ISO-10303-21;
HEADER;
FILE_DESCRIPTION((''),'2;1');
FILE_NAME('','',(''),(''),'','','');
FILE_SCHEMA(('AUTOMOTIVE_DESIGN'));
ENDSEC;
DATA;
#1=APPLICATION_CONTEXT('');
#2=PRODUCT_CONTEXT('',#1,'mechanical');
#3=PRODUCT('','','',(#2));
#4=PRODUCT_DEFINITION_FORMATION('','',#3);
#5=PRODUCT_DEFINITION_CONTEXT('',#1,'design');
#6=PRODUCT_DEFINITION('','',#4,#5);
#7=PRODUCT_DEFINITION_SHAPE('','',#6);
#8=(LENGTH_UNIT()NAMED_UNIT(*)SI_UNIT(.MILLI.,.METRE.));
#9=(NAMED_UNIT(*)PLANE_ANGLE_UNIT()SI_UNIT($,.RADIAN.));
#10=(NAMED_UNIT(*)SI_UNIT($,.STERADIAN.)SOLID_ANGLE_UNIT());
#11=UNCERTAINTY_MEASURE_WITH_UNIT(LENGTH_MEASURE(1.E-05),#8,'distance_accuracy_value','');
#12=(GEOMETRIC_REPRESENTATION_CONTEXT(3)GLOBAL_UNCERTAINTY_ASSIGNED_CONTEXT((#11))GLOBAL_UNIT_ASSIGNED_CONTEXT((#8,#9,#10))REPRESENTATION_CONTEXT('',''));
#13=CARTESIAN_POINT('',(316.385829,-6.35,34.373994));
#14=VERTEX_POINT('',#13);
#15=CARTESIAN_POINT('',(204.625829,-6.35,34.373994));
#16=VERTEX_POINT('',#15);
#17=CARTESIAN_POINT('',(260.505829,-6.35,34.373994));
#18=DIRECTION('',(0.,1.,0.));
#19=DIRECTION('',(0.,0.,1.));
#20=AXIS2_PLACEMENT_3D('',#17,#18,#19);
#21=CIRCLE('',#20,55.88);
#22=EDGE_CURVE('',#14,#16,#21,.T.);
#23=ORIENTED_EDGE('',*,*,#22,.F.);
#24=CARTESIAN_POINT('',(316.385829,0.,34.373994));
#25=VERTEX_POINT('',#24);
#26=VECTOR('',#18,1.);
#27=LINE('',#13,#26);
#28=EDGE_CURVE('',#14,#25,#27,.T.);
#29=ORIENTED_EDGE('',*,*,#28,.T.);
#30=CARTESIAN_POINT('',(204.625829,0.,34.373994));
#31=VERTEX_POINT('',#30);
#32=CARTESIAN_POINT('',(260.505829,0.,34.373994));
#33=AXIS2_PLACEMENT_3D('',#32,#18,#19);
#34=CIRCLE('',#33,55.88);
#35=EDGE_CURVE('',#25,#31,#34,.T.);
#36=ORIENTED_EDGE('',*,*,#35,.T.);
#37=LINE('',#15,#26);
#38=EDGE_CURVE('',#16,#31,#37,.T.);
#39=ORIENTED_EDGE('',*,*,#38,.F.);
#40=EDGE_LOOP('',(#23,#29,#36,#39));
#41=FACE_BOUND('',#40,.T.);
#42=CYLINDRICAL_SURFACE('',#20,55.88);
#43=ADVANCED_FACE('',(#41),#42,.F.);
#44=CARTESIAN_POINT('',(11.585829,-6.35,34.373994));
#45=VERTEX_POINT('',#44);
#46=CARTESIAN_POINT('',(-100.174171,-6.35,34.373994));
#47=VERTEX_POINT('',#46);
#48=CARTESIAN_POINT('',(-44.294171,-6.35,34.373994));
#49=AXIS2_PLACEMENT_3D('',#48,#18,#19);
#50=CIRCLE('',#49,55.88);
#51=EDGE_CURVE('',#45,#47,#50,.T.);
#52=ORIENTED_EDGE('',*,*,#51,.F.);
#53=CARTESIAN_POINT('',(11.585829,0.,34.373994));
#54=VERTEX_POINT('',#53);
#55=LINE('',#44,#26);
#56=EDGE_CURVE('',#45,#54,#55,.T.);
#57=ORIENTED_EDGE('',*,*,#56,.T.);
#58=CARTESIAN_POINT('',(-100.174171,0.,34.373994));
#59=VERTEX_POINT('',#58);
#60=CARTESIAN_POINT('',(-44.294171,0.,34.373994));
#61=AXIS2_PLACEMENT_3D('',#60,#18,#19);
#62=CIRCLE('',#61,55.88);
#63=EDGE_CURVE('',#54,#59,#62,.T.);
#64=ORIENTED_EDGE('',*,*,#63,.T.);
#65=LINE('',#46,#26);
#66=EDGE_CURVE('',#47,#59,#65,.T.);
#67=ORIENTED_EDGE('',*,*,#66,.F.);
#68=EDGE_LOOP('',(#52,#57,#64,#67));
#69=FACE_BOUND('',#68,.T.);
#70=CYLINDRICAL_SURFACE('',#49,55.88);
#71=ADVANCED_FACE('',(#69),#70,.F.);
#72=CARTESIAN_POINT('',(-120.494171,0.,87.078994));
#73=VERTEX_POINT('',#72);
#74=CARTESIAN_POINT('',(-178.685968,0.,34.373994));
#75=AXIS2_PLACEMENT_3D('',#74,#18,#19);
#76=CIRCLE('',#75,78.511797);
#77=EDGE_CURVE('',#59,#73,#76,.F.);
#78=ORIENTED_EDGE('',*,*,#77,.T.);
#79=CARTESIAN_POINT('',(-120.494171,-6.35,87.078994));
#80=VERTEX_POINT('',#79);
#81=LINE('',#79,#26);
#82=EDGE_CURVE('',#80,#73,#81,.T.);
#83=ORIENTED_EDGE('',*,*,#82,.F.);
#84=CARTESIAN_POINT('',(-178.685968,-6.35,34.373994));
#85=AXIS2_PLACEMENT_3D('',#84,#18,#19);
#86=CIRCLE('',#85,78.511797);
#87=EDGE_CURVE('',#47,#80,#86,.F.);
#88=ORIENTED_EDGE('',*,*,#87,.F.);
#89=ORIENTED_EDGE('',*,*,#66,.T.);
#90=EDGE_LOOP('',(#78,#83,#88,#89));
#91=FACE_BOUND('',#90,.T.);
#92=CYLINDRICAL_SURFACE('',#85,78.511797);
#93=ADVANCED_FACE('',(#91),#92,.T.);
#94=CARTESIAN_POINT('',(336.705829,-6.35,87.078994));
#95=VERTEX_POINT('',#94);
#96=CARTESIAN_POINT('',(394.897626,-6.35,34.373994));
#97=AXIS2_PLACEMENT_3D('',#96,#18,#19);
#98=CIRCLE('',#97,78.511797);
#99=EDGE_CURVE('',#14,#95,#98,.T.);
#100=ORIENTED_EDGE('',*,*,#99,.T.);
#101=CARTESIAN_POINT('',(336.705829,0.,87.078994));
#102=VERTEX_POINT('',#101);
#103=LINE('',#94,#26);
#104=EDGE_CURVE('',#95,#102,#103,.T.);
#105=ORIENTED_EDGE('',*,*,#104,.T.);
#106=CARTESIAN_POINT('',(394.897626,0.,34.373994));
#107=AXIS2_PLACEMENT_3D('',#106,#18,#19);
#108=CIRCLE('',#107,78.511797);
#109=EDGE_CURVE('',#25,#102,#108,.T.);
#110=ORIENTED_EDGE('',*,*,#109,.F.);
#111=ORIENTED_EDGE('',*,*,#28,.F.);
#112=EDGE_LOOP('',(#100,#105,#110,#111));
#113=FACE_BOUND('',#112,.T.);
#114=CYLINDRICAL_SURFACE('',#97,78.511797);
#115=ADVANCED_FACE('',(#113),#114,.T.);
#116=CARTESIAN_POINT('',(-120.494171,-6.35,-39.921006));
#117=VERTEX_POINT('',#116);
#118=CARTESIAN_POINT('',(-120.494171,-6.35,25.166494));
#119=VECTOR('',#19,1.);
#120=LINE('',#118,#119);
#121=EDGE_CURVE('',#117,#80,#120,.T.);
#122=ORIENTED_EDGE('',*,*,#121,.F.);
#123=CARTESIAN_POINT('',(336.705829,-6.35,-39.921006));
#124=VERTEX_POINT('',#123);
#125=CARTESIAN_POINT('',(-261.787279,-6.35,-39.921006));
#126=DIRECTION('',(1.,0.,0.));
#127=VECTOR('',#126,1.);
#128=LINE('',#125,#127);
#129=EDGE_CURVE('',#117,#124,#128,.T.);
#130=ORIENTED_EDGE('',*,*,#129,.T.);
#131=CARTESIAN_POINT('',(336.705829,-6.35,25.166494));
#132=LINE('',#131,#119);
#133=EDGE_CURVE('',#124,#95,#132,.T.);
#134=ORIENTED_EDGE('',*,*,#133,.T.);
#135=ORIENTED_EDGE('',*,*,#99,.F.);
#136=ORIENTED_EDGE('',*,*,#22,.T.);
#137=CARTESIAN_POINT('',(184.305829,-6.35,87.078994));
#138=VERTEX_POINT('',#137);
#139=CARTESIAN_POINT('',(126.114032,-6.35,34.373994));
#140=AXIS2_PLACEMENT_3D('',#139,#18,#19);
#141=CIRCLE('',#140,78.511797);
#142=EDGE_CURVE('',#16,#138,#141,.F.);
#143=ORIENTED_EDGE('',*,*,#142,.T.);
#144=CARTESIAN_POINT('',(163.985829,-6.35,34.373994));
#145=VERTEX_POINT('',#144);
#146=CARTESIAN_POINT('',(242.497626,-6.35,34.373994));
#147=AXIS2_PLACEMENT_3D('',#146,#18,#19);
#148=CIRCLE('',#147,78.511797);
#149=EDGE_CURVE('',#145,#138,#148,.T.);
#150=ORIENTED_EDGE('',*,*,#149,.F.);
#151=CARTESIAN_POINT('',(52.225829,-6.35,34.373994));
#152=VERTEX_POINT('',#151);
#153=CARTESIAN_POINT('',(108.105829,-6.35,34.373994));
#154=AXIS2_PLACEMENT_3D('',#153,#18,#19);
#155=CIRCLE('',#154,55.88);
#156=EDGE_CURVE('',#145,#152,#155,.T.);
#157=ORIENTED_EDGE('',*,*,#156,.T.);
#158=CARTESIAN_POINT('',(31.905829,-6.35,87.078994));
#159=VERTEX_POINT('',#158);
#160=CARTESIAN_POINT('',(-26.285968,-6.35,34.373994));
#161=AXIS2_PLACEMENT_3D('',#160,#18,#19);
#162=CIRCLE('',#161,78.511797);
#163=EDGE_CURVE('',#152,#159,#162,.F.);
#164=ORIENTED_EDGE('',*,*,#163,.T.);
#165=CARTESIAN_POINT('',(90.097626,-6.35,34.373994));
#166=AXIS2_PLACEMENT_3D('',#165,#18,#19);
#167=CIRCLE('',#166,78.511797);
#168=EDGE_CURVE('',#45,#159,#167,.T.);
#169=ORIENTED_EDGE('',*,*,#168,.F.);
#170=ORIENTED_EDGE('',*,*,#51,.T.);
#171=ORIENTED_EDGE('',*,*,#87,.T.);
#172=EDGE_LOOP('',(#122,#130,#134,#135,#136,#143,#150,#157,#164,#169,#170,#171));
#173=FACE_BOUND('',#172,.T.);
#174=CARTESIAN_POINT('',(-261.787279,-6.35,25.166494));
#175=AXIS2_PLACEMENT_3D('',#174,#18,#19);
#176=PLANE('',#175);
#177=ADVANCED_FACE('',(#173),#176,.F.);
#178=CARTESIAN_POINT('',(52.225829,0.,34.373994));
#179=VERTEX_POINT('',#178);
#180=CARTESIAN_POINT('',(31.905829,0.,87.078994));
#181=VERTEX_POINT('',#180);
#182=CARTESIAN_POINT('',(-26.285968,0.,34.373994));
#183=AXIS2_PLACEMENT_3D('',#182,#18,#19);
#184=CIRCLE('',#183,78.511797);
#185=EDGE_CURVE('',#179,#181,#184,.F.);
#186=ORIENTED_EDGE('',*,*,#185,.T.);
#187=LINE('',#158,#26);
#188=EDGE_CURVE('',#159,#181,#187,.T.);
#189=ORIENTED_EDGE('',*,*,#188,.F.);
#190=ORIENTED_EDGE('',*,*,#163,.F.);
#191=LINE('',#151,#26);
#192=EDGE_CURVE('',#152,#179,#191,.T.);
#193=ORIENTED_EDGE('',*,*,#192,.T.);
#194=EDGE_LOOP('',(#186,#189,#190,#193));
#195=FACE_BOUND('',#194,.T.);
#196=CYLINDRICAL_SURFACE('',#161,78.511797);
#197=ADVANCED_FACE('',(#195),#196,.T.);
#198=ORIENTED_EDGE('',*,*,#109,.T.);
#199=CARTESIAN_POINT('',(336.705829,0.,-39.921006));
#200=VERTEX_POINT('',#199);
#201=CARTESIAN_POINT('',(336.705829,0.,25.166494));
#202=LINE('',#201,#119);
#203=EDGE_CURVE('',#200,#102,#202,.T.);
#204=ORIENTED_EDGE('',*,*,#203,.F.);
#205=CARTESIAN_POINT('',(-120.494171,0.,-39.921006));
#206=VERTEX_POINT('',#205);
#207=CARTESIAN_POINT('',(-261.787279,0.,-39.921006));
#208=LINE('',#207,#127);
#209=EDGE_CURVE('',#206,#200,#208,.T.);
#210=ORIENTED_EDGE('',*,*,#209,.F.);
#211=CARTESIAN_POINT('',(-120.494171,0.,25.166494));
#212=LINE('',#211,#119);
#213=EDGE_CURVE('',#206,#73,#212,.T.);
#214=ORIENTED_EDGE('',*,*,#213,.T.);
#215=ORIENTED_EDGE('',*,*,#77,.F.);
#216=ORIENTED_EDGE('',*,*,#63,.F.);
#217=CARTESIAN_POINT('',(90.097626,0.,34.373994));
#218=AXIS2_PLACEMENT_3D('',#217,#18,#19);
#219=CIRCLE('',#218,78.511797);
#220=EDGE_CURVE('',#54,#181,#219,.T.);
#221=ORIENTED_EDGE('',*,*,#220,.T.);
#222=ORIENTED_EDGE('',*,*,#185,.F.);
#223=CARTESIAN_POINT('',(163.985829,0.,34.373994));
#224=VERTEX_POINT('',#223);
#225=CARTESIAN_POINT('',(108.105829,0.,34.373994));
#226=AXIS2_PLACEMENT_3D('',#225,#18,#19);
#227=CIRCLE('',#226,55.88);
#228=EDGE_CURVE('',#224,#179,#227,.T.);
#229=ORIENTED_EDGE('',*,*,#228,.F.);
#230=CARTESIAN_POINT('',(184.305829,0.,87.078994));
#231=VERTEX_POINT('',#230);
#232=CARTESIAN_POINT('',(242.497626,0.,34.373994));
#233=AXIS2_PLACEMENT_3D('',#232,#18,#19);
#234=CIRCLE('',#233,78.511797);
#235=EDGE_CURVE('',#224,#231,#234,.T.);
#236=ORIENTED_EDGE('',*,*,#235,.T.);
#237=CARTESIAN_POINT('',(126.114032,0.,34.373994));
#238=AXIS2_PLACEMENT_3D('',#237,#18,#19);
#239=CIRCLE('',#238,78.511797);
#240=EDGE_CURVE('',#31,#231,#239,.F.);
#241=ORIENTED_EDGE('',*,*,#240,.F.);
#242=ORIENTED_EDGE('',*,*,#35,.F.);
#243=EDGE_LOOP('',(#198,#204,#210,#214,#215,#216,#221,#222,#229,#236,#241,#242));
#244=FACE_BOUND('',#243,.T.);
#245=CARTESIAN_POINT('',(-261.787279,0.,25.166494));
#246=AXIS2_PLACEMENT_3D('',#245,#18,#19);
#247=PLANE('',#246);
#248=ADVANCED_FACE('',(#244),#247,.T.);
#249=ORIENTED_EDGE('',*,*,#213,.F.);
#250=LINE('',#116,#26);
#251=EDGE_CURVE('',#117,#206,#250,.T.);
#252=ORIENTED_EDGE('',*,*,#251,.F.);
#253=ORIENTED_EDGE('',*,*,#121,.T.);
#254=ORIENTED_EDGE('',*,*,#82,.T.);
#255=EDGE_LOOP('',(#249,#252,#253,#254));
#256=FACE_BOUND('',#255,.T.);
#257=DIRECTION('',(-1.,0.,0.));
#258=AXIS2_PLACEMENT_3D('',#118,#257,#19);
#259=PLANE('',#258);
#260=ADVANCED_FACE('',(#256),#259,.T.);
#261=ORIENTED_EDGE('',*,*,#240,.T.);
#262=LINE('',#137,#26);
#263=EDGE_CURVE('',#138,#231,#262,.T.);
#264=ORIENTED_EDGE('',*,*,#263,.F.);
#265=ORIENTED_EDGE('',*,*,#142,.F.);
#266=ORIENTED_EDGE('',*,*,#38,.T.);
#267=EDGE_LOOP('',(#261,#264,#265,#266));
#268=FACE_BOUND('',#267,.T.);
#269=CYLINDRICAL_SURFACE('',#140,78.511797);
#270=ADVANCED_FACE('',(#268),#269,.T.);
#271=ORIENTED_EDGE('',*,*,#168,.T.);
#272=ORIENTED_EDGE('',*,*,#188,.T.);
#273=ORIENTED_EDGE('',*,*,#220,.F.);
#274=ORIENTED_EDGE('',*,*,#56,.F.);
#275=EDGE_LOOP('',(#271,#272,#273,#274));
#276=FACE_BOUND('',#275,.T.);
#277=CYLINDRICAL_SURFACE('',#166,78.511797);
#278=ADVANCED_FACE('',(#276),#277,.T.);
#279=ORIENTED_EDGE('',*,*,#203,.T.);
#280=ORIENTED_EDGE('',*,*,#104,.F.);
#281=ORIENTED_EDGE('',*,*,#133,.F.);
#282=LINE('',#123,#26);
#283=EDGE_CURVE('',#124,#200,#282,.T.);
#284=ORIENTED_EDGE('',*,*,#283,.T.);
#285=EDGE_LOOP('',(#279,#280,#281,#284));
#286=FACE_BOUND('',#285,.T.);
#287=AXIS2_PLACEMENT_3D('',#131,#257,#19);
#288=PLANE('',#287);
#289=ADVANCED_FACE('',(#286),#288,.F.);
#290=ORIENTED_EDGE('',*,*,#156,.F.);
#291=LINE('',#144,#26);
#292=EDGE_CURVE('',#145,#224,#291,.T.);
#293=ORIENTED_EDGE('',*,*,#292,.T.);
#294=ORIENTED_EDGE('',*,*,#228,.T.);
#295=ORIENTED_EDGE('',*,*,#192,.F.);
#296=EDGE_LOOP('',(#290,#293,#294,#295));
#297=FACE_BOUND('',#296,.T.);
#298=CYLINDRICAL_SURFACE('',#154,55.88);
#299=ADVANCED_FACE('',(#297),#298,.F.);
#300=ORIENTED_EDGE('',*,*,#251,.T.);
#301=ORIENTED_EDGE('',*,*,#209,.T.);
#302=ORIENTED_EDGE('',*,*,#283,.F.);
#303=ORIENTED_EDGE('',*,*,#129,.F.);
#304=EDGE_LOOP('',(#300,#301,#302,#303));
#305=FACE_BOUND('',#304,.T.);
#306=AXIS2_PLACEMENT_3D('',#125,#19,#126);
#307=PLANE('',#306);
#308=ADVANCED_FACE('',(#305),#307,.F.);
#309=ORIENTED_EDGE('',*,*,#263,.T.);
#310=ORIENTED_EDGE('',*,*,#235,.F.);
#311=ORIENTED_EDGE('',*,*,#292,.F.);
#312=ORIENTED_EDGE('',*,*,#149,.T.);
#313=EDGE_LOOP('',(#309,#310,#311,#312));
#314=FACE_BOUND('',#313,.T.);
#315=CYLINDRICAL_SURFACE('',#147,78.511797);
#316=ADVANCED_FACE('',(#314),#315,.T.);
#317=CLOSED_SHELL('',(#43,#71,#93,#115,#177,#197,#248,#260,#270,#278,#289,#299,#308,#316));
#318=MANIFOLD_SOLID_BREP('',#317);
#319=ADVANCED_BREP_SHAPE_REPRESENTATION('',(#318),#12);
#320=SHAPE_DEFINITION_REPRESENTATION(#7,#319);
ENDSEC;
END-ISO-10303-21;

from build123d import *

# Parameters (mm, degrees)
BOSS_EXTRUDE1_DEPTH = 6.35


with BuildPart() as part:
    # Sketch1 → Boss-Extrude1 (new body)
    with BuildSketch(Plane(origin=(0, 0, 0), x_dir=(1, 0, 0), z_dir=(0, 1, 0))):
        with BuildLine():
            ThreePointArc((11.585828754, -34.373994235), (16.841756292, -62.617220967), (31.905828754, -87.078994235))
            Line((31.905828754, -87.078994235), (31.905828754, 39.921005765))
            Line((31.905828754, 39.921005765), (-120.494171246, 39.921005765))
            Line((-120.494171246, 39.921005765), (-120.494171246, -87.078994235))
            ThreePointArc((-120.494171246, -87.078994235), (-105.430098785, -62.617220967), (-100.174171246, -34.373994235))
            ThreePointArc((-100.174171246, -34.373994235), (-44.294171246, 21.506005765), (11.585828754, -34.373994235))
        make_face()
        with BuildLine():
            Line((31.905828754, 39.921005765), (31.905828754, -87.078994235))
            ThreePointArc((31.905828754, -87.078994235), (46.969901215, -62.617220967), (52.225828754, -34.373994235))
            ThreePointArc((52.225828754, -34.373994235), (108.105828754, 21.506005765), (163.985828754, -34.373994235))
            ThreePointArc((163.985828754, -34.373994235), (169.241756292, -62.617220967), (184.305828754, -87.078994235))
            Line((184.305828754, -87.078994235), (184.305828754, 39.921005765))
            Line((184.305828754, 39.921005765), (31.905828754, 39.921005765))
        make_face()
        with BuildLine():
            Line((336.705828754, 39.921005765), (184.305828754, 39.921005765))
            Line((184.305828754, 39.921005765), (184.305828754, -87.078994235))
            ThreePointArc((184.305828754, -87.078994235), (199.369901215, -62.617220967), (204.625828754, -34.373994235))
            ThreePointArc((204.625828754, -34.373994235), (260.505828754, 21.506005765), (316.385828754, -34.373994235))
            ThreePointArc((316.385828754, -34.373994235), (321.641756292, -62.617220967), (336.705828754, -87.078994235))
            Line((336.705828754, -87.078994235), (336.705828754, 39.921005765))
        make_face()
    extrude(amount=-BOSS_EXTRUDE1_DEPTH)


solid = part.part
